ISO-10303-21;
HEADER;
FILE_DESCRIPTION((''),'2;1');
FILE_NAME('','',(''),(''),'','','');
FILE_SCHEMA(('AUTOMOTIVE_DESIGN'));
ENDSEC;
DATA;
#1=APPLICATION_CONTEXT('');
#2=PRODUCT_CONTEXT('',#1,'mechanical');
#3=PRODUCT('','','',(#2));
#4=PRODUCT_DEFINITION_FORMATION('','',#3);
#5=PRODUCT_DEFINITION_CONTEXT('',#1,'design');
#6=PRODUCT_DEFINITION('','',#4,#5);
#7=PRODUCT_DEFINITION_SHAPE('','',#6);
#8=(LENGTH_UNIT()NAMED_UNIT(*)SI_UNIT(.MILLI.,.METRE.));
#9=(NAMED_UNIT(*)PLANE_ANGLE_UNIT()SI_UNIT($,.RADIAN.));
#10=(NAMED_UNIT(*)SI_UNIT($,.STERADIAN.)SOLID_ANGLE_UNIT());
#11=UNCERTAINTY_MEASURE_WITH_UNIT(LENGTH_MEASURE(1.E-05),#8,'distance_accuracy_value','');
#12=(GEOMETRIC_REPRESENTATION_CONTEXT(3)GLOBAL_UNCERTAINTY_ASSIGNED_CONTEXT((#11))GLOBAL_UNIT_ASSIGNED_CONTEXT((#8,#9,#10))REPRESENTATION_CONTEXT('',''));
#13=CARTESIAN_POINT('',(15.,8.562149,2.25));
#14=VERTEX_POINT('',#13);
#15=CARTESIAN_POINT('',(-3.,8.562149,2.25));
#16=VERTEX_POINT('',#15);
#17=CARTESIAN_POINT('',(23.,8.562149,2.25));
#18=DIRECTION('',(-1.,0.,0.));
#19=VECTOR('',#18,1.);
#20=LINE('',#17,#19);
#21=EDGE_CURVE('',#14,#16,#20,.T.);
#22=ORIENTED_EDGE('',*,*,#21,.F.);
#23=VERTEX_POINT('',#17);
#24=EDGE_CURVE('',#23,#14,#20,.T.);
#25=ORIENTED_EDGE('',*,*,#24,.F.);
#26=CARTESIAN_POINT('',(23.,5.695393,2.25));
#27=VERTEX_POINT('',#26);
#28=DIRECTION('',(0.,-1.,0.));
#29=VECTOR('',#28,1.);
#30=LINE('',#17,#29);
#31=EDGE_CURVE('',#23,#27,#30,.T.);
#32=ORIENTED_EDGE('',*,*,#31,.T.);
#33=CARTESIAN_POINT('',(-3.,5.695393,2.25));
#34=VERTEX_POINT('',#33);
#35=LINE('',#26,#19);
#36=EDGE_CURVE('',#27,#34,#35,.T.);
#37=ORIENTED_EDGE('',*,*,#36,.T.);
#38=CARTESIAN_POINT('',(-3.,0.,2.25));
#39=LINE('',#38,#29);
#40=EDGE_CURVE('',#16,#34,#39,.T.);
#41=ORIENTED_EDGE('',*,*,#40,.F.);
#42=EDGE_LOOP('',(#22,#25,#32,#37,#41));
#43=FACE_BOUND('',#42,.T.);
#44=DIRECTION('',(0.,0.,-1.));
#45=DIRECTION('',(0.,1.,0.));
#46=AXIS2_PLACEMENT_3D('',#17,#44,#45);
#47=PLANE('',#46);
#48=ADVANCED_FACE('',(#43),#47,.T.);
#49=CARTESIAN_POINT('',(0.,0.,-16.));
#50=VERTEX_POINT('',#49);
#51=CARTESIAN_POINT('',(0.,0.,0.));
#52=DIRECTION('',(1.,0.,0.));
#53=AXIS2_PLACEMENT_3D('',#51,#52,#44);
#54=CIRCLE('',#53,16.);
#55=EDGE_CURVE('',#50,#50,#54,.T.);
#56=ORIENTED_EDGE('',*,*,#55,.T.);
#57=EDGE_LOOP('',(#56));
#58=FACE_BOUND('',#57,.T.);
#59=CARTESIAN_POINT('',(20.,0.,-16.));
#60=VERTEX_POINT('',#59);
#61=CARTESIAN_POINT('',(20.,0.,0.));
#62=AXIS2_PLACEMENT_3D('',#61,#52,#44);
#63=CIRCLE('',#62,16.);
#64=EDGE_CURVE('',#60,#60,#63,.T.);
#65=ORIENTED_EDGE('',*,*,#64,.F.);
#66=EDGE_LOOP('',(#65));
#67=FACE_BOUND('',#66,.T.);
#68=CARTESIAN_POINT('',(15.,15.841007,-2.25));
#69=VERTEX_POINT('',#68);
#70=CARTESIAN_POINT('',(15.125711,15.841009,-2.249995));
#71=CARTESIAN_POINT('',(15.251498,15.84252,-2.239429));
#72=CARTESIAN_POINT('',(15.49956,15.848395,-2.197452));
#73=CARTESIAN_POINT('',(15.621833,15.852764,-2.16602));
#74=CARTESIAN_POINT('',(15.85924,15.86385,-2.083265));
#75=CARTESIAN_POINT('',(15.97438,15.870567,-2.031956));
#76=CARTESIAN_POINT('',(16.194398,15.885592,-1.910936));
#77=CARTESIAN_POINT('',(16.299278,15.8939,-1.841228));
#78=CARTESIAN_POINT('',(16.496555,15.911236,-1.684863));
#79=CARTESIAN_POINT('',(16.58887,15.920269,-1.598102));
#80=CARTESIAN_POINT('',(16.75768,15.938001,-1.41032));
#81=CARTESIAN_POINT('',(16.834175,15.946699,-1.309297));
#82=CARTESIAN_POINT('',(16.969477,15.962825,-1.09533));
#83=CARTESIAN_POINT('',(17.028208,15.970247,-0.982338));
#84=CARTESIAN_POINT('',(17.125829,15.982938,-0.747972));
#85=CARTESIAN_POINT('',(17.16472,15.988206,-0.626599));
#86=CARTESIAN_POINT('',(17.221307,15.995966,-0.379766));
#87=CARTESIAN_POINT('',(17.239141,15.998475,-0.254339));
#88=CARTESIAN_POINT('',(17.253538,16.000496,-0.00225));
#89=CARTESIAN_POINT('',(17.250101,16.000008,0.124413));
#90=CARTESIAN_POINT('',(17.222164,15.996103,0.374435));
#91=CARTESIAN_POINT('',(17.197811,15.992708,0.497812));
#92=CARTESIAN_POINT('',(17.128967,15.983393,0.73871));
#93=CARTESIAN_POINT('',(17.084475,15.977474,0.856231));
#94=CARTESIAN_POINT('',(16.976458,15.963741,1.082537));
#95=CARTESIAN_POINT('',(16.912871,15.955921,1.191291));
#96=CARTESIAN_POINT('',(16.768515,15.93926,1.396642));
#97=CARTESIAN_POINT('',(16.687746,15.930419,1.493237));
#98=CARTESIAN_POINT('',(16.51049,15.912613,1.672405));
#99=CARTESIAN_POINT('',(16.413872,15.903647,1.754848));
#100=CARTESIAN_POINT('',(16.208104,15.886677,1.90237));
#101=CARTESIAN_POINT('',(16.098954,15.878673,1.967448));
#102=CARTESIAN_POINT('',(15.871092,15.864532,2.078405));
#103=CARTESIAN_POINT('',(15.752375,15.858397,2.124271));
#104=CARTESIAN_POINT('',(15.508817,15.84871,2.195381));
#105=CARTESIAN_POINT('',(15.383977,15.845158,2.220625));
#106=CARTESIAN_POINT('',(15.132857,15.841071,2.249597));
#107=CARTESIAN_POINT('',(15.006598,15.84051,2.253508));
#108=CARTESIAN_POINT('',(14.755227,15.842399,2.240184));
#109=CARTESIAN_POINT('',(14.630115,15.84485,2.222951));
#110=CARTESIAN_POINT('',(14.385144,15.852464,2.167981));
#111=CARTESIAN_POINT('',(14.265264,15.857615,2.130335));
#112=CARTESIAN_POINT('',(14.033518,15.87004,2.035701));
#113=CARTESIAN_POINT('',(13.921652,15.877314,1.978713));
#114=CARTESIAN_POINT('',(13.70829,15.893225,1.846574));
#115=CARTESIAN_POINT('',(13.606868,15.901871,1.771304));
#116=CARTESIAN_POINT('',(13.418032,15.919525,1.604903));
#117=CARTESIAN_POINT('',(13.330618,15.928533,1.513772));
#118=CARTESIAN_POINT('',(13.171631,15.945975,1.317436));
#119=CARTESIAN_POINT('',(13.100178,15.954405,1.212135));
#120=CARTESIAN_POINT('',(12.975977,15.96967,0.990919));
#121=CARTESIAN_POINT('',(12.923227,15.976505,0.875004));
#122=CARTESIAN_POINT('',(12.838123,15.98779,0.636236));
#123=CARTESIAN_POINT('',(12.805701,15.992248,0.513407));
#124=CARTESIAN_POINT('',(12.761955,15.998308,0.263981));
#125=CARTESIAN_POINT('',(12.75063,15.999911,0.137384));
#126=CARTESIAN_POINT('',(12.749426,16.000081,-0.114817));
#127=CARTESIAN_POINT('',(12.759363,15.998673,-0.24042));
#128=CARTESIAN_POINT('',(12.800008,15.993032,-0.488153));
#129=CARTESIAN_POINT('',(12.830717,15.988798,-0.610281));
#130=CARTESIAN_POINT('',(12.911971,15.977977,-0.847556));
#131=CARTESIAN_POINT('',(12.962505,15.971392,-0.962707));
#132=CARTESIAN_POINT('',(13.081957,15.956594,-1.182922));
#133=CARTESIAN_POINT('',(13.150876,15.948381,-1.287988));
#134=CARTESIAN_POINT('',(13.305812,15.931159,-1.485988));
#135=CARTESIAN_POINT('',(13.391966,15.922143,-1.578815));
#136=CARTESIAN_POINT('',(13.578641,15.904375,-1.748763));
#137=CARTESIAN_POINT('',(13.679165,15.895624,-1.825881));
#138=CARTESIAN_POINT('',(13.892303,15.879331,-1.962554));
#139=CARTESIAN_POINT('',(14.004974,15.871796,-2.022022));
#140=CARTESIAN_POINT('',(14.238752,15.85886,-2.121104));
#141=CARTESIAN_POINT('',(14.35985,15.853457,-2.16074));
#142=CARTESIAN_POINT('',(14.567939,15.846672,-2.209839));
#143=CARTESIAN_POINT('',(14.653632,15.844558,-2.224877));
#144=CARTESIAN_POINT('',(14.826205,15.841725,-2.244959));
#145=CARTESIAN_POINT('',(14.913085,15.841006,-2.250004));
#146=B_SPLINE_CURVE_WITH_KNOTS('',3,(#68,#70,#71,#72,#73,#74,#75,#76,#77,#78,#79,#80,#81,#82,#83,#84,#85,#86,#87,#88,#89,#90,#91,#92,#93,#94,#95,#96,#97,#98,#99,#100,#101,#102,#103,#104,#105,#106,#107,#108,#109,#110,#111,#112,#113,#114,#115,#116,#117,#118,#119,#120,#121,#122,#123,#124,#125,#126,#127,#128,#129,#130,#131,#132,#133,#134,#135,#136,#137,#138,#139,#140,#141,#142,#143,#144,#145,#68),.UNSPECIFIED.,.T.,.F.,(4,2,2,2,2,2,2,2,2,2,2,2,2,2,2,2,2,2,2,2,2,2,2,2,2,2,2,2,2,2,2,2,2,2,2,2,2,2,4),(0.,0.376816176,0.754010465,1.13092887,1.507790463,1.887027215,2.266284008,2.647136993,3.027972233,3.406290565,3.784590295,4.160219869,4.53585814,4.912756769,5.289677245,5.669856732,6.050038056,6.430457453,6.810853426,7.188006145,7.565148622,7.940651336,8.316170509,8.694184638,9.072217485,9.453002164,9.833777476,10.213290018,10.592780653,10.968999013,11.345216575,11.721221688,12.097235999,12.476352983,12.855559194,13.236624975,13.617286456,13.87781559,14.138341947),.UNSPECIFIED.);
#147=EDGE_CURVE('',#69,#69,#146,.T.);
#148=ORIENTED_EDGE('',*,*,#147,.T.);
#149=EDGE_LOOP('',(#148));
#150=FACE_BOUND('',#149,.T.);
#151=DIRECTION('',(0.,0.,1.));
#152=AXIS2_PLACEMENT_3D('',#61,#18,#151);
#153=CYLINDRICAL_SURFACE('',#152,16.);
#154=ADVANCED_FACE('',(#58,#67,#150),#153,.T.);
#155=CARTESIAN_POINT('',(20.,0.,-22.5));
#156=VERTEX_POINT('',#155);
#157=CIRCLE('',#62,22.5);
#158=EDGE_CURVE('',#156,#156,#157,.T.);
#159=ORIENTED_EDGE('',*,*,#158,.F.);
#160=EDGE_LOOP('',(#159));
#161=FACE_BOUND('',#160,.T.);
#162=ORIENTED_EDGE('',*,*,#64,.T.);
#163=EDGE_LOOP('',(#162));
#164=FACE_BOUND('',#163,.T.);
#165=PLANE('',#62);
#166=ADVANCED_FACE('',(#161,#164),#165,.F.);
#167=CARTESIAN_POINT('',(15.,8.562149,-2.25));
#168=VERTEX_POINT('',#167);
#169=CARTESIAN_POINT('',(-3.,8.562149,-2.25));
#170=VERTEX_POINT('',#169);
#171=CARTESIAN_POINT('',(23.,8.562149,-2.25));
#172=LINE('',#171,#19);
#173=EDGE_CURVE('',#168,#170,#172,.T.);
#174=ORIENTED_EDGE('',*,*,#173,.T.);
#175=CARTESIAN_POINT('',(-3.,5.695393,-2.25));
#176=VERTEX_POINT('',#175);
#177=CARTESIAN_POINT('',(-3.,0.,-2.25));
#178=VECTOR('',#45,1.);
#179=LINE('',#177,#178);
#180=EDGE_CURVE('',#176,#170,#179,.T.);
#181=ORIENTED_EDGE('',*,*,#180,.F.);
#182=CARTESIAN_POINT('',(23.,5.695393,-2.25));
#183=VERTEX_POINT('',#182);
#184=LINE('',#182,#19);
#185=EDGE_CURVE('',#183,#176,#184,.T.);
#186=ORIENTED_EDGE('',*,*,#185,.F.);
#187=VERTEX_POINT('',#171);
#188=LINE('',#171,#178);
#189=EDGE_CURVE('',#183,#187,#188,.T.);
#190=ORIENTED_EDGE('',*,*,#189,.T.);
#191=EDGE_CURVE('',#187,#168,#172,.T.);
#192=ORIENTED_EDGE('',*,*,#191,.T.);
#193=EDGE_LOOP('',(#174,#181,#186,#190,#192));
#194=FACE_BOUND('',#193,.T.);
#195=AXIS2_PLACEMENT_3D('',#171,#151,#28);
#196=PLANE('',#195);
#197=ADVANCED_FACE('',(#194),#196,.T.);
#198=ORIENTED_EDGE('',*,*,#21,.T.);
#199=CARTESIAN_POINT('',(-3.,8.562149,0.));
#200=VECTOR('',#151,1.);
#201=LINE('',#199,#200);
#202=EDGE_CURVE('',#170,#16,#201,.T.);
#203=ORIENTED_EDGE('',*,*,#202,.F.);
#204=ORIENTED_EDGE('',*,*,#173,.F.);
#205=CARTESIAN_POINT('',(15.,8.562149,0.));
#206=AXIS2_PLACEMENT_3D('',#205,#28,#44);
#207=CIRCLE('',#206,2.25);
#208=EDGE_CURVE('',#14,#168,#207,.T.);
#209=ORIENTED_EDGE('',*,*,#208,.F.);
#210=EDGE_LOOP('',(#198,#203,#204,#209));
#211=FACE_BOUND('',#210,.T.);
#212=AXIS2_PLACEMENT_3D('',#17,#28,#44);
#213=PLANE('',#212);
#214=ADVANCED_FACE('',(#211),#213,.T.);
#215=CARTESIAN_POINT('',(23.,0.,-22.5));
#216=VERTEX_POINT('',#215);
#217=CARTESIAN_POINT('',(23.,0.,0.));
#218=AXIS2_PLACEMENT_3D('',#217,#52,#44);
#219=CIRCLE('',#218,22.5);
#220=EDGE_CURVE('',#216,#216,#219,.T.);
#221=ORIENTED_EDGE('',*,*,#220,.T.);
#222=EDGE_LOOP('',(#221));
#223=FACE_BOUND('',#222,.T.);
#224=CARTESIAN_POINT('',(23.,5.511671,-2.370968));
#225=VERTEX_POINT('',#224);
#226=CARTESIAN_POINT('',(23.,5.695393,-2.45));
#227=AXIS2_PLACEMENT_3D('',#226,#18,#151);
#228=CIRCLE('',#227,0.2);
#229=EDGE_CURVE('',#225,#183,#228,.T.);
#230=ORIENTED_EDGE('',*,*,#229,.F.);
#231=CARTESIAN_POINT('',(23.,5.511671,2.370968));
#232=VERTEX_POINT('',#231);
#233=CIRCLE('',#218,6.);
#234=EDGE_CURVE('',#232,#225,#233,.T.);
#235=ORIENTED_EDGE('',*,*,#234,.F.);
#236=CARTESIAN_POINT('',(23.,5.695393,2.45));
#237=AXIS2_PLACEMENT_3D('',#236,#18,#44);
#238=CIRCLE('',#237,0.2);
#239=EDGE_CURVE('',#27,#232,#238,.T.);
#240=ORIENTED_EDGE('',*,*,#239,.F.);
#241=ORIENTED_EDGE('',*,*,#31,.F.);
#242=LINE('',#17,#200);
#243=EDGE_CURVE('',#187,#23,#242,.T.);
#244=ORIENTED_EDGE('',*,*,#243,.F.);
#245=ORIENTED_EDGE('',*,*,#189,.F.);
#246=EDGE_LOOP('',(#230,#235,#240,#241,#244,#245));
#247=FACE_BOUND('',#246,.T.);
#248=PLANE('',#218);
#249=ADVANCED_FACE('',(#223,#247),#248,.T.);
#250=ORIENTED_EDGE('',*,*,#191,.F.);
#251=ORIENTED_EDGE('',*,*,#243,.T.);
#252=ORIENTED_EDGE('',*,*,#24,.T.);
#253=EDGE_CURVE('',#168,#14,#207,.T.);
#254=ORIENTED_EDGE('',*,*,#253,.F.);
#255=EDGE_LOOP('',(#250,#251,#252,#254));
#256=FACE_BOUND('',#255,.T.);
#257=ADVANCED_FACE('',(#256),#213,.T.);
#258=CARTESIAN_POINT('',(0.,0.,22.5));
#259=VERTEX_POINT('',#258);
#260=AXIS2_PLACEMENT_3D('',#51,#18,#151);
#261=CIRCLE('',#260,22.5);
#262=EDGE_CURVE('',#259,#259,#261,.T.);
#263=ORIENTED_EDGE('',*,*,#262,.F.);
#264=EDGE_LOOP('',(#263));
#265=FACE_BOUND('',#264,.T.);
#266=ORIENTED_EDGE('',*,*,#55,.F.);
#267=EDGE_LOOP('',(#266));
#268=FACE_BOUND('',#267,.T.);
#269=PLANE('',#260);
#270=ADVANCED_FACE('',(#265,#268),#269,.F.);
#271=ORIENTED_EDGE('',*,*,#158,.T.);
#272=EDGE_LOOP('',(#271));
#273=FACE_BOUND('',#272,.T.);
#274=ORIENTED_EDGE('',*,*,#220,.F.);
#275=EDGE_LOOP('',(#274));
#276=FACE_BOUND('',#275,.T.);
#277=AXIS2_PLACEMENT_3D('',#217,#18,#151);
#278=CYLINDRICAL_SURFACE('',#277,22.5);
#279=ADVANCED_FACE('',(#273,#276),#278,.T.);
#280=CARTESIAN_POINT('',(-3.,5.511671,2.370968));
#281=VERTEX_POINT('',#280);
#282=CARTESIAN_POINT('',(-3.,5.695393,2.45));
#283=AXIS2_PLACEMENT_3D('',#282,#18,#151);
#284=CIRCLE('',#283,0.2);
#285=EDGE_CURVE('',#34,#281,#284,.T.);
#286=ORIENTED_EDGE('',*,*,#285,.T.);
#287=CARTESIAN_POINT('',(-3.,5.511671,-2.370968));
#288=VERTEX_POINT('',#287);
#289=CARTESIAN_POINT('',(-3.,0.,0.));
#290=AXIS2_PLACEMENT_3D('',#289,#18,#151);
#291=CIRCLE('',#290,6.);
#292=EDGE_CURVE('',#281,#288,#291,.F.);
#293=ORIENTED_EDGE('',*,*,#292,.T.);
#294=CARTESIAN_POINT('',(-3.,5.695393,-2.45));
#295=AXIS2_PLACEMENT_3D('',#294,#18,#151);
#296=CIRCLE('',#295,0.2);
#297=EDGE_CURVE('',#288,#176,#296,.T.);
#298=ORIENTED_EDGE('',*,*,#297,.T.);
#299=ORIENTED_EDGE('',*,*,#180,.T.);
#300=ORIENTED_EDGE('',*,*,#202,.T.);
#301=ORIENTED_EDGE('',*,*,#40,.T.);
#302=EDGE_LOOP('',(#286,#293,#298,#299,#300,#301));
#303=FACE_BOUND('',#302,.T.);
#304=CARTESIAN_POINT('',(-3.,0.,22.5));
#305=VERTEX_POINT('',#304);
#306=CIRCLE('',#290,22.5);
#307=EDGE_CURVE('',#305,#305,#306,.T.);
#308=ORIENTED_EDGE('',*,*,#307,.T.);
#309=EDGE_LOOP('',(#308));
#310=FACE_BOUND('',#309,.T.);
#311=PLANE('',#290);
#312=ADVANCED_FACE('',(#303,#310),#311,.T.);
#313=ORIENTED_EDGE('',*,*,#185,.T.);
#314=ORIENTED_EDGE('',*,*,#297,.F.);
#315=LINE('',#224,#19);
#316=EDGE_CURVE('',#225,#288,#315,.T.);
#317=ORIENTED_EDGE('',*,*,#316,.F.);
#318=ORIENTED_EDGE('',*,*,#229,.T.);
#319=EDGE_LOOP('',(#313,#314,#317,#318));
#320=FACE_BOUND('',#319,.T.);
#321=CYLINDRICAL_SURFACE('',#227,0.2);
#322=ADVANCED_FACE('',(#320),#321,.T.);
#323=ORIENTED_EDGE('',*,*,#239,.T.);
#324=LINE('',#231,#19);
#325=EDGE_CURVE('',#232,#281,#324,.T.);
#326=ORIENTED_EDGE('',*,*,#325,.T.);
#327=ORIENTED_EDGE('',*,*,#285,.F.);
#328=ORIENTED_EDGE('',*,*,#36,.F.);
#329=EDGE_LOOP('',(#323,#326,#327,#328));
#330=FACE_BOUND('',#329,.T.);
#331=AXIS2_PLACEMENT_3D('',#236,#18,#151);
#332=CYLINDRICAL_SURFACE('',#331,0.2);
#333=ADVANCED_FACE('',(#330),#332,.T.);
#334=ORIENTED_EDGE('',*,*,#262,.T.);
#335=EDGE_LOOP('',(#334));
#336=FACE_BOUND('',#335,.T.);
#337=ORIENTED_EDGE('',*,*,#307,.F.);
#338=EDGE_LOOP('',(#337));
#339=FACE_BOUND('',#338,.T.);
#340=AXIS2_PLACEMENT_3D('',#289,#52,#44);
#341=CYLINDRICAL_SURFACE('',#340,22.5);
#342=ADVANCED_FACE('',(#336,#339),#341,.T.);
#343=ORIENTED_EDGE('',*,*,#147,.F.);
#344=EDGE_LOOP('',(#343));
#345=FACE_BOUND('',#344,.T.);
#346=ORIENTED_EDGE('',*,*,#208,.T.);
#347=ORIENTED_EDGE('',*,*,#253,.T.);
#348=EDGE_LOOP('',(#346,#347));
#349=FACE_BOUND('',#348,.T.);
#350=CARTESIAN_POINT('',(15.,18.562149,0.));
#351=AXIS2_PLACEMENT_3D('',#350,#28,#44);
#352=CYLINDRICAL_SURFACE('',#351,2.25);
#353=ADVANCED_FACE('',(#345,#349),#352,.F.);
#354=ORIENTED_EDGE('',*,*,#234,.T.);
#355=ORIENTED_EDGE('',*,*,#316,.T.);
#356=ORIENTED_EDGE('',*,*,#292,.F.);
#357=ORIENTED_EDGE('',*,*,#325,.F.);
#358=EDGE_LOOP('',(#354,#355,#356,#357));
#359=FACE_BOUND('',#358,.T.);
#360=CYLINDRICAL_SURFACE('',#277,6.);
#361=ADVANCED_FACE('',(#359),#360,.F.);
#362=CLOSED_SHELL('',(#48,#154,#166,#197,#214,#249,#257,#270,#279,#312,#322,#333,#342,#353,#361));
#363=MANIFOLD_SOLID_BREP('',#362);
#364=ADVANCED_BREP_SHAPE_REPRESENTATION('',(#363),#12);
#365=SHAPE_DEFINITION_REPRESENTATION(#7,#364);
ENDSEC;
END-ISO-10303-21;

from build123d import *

# Parameters (mm, degrees)
SKETCH1_R               = 16
BOSS_EXTRUDE1_DEPTH     = 20
SKETCH3_R               = 22.5
BOSS_EXTRUDE2_DEPTH     = 3
SKETCH4_R               = 22.5
BOSS_EXTRUDE3_DEPTH     = 3
CUT_EXTRUDE2_DEPTH      = 3
CUT_EXTRUDE2_DEPTH_BACK = 25
SKETCH6_R               = 2.25
CUT_EXTRUDE3_DEPTH      = 10


with BuildPart() as part:
    # Sketch1 → Boss-Extrude1 (new body)
    with BuildSketch(Plane(origin=(0, 0, 0), x_dir=(0, 0, -1), z_dir=(1, 0, 0))):
        Circle(SKETCH1_R)
    extrude(amount=BOSS_EXTRUDE1_DEPTH)

    # Sketch3 → Boss-Extrude2 (add)
    with BuildSketch(Plane(origin=(20, 0, 0), x_dir=(0, 0, -1), z_dir=(1, 0, 0))):
        Circle(SKETCH3_R)
    extrude(amount=BOSS_EXTRUDE2_DEPTH)

    # Sketch4 → Boss-Extrude3 (add)
    with BuildSketch(Plane.ZY):
        Circle(SKETCH4_R)
    extrude(amount=BOSS_EXTRUDE3_DEPTH)

    # Sketch2 → Cut-Extrude2 (cut, two sides)
    with BuildSketch(Plane(origin=(20, 0, 0), x_dir=(0, 0, -1), z_dir=(1, 0, 0))) as cut_extrude2_sk:
        with BuildLine():
            Line((-2.25, 8.562148865), (2.25, 8.562148865))
            Line((2.25, 8.562148865), (2.25, 5.695392875))
            ThreePointArc((2.25, 5.695392875), (2.282957413, 5.585407539), (2.370967742, 5.511670524))
            ThreePointArc((2.370967742, 5.511670524), (0, -6), (-2.370967742, 5.511670524))
            ThreePointArc((-2.370967742, 5.511670524), (-2.282957413, 5.585407539), (-2.25, 5.695392875))
            Line((-2.25, 5.695392875), (-2.25, 8.562148865))
        make_face()
    extrude(amount=CUT_EXTRUDE2_DEPTH, mode=Mode.SUBTRACT)
    extrude(cut_extrude2_sk.sketch, amount=-CUT_EXTRUDE2_DEPTH_BACK, mode=Mode.SUBTRACT)

    # Sketch6 → Cut-Extrude3 (cut)
    with BuildSketch(Plane.XZ.offset(-8.562148865)):
        with Locations((15, 0)):
            Circle(SKETCH6_R)
    extrude(amount=-CUT_EXTRUDE3_DEPTH, mode=Mode.SUBTRACT)


solid = part.part
